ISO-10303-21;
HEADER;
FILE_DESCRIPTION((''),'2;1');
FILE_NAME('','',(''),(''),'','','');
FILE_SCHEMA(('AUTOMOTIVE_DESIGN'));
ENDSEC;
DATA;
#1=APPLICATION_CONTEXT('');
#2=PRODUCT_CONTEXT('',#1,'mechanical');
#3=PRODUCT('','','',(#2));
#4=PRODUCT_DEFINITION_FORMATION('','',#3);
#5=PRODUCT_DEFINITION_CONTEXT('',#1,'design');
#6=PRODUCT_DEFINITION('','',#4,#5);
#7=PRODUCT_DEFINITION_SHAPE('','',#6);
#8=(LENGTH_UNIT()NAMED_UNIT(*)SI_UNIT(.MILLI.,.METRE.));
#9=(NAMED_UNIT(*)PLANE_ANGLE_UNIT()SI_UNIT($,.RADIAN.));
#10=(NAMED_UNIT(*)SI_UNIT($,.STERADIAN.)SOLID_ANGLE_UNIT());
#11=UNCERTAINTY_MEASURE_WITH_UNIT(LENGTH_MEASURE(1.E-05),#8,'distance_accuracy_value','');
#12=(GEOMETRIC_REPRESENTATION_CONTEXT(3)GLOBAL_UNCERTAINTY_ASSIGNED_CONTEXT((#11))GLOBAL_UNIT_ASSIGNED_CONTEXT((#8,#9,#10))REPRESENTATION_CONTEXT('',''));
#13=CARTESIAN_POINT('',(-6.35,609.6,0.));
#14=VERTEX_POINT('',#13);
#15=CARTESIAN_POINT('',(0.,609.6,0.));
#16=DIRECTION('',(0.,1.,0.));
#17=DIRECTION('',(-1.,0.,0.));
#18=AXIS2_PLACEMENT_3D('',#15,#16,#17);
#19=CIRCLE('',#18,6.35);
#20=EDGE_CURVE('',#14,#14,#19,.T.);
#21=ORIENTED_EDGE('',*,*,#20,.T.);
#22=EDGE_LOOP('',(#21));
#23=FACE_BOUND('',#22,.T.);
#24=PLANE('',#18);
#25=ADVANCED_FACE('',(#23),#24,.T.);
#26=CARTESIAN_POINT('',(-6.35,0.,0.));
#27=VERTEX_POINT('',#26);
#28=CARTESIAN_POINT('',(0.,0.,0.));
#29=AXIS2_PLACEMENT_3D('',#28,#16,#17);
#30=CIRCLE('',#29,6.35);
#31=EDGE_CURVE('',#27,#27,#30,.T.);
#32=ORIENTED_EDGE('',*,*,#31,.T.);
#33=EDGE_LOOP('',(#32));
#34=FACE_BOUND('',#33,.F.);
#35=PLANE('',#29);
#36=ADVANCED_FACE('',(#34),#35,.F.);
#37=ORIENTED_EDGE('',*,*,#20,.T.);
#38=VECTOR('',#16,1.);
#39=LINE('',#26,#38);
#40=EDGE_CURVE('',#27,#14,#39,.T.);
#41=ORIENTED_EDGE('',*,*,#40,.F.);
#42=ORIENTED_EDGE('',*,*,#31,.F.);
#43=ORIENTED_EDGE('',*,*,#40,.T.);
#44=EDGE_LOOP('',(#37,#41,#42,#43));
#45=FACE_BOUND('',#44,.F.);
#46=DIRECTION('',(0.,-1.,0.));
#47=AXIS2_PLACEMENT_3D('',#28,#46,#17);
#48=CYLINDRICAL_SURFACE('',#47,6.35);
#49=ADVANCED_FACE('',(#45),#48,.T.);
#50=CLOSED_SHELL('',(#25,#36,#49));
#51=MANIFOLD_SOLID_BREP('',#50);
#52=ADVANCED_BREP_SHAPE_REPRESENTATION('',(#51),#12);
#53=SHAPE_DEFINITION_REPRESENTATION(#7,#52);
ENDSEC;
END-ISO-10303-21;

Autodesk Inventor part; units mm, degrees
ref_plane "YZ Plane" through (0, 0, 0) normal (1, 0, 0) x (0, 1, 0)
ref_plane "XZ Plane" through (0, 0, 0) normal (0, 1, 0) x (-1, 0, 0)
ref_plane "XY Plane" through (0, 0, 0) normal (0, 0, 1) x (1, 0, 0)
sketch "Sketch1" plane through (0, 0, 0) normal (0, 1, 0) x (-1, 0, 0)
  circle A0 centre (0, 0) radius 6.35
  dimension "d0" = 12.7
extrude "Extrusion1" add sketch "Sketch1" along normal blind 609.6
properties part number "almRod.5-01"
